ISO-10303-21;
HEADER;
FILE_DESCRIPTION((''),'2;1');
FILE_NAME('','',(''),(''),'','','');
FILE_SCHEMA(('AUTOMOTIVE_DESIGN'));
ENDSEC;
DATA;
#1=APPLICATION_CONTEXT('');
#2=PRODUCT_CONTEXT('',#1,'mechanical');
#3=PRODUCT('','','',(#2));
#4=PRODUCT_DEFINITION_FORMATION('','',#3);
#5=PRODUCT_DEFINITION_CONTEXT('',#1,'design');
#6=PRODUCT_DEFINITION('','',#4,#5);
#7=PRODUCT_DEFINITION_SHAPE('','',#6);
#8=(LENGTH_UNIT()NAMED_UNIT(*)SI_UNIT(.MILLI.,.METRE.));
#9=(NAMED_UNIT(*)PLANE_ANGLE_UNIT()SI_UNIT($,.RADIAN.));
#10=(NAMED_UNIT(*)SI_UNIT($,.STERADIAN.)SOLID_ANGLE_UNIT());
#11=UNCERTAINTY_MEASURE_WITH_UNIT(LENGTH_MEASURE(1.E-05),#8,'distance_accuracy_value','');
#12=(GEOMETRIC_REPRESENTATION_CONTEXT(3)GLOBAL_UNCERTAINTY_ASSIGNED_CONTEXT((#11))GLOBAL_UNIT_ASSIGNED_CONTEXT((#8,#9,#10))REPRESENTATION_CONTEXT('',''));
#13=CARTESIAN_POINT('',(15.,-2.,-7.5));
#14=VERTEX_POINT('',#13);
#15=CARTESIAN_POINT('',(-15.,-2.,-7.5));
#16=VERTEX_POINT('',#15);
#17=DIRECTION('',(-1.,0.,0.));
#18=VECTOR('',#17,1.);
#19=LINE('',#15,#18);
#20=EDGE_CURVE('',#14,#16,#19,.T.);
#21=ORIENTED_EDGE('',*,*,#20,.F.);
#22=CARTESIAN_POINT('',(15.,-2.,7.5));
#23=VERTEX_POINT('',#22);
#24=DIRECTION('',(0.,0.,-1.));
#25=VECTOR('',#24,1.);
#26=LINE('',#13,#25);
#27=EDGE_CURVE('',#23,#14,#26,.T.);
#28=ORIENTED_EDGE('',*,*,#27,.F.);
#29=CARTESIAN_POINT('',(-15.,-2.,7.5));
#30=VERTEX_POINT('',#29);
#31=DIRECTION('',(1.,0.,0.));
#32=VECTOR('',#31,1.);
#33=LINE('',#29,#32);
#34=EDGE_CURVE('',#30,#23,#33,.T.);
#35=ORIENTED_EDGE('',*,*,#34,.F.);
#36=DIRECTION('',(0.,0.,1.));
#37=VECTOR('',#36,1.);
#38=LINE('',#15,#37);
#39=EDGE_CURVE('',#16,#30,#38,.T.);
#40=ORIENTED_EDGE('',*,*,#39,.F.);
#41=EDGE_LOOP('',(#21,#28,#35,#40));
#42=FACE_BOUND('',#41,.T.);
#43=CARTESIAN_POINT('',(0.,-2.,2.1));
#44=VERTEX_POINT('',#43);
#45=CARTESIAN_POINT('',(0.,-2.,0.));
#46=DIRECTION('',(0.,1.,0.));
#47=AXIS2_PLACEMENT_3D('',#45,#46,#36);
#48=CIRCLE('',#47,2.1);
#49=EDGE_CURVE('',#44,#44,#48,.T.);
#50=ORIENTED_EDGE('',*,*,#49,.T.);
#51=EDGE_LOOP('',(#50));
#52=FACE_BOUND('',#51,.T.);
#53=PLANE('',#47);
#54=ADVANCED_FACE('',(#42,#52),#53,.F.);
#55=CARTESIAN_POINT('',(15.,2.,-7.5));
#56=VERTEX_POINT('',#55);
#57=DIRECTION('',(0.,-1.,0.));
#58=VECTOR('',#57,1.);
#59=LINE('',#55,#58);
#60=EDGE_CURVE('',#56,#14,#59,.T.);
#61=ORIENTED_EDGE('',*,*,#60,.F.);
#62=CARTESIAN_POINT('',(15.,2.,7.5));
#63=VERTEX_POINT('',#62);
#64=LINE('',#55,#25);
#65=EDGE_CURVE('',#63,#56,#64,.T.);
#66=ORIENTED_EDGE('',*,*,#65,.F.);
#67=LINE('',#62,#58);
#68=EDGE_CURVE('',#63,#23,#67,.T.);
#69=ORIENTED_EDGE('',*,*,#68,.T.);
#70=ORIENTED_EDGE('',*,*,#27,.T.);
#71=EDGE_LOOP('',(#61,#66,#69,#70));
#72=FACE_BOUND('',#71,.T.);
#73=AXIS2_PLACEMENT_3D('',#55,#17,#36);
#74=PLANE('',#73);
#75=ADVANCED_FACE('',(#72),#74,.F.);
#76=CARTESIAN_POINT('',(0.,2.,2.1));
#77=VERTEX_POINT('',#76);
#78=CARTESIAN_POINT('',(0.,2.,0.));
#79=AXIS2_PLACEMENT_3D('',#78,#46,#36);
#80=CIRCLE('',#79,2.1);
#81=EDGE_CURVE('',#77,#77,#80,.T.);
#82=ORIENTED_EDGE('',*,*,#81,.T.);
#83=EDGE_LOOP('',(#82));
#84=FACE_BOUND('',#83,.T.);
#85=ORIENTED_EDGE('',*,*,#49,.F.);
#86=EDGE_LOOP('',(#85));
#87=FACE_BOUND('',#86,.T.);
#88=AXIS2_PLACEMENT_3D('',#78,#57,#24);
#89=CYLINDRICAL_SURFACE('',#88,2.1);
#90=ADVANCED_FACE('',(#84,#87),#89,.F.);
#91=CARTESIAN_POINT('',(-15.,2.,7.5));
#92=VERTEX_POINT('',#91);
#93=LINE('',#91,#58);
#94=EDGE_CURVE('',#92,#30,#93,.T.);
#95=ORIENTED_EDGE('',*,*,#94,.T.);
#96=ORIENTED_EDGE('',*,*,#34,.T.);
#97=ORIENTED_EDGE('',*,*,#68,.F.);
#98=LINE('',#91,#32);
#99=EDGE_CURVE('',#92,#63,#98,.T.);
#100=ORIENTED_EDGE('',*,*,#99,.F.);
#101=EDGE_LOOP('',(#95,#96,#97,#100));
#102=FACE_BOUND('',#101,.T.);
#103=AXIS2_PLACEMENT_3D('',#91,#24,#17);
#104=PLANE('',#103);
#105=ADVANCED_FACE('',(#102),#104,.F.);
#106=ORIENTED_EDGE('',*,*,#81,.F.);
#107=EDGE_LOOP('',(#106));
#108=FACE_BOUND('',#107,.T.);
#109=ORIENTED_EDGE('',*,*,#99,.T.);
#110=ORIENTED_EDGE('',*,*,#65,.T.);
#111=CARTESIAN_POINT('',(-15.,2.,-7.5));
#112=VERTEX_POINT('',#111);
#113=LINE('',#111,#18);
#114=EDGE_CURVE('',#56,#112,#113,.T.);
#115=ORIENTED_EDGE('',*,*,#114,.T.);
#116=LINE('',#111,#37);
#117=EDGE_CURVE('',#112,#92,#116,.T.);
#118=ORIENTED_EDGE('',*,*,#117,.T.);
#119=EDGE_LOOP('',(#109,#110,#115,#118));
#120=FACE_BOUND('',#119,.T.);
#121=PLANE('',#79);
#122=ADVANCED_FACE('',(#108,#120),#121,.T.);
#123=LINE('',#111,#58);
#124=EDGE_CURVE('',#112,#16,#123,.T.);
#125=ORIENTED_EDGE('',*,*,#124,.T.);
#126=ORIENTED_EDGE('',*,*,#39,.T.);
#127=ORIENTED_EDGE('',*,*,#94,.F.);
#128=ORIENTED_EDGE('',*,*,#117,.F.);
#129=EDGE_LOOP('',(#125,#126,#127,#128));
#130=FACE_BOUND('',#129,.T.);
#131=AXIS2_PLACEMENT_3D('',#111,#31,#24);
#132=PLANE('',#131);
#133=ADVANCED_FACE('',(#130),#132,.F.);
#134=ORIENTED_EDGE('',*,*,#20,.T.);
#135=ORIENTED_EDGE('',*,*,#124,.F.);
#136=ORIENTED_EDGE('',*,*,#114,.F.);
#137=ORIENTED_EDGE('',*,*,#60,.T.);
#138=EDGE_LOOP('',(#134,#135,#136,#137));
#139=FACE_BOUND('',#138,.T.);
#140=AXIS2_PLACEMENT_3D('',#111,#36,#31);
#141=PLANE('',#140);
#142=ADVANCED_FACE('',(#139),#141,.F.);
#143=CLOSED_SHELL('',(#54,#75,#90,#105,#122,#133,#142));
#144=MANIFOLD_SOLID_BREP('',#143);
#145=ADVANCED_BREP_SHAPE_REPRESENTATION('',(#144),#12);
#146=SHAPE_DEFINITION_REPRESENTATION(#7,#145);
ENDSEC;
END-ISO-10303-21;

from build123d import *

# Parameters (mm, degrees)
SKIZZE1_W                       = 30
SKIZZE1_H                       = 15
SKIZZE1_R                       = 2.1
AUFSATZ_LINEAR_AUSTRAGEN1_DEPTH = 2


with BuildPart() as part:
    # Skizze1 → Aufsatz-Linear austragen1 (new body, symmetric)
    with BuildSketch(Plane(origin=(0, 0, 0), x_dir=(1, 0, 0), z_dir=(0, 1, 0))):
        Rectangle(SKIZZE1_W, SKIZZE1_H)
        Circle(SKIZZE1_R, mode=Mode.SUBTRACT)
    extrude(amount=AUFSATZ_LINEAR_AUSTRAGEN1_DEPTH, both=True)


solid = part.part
